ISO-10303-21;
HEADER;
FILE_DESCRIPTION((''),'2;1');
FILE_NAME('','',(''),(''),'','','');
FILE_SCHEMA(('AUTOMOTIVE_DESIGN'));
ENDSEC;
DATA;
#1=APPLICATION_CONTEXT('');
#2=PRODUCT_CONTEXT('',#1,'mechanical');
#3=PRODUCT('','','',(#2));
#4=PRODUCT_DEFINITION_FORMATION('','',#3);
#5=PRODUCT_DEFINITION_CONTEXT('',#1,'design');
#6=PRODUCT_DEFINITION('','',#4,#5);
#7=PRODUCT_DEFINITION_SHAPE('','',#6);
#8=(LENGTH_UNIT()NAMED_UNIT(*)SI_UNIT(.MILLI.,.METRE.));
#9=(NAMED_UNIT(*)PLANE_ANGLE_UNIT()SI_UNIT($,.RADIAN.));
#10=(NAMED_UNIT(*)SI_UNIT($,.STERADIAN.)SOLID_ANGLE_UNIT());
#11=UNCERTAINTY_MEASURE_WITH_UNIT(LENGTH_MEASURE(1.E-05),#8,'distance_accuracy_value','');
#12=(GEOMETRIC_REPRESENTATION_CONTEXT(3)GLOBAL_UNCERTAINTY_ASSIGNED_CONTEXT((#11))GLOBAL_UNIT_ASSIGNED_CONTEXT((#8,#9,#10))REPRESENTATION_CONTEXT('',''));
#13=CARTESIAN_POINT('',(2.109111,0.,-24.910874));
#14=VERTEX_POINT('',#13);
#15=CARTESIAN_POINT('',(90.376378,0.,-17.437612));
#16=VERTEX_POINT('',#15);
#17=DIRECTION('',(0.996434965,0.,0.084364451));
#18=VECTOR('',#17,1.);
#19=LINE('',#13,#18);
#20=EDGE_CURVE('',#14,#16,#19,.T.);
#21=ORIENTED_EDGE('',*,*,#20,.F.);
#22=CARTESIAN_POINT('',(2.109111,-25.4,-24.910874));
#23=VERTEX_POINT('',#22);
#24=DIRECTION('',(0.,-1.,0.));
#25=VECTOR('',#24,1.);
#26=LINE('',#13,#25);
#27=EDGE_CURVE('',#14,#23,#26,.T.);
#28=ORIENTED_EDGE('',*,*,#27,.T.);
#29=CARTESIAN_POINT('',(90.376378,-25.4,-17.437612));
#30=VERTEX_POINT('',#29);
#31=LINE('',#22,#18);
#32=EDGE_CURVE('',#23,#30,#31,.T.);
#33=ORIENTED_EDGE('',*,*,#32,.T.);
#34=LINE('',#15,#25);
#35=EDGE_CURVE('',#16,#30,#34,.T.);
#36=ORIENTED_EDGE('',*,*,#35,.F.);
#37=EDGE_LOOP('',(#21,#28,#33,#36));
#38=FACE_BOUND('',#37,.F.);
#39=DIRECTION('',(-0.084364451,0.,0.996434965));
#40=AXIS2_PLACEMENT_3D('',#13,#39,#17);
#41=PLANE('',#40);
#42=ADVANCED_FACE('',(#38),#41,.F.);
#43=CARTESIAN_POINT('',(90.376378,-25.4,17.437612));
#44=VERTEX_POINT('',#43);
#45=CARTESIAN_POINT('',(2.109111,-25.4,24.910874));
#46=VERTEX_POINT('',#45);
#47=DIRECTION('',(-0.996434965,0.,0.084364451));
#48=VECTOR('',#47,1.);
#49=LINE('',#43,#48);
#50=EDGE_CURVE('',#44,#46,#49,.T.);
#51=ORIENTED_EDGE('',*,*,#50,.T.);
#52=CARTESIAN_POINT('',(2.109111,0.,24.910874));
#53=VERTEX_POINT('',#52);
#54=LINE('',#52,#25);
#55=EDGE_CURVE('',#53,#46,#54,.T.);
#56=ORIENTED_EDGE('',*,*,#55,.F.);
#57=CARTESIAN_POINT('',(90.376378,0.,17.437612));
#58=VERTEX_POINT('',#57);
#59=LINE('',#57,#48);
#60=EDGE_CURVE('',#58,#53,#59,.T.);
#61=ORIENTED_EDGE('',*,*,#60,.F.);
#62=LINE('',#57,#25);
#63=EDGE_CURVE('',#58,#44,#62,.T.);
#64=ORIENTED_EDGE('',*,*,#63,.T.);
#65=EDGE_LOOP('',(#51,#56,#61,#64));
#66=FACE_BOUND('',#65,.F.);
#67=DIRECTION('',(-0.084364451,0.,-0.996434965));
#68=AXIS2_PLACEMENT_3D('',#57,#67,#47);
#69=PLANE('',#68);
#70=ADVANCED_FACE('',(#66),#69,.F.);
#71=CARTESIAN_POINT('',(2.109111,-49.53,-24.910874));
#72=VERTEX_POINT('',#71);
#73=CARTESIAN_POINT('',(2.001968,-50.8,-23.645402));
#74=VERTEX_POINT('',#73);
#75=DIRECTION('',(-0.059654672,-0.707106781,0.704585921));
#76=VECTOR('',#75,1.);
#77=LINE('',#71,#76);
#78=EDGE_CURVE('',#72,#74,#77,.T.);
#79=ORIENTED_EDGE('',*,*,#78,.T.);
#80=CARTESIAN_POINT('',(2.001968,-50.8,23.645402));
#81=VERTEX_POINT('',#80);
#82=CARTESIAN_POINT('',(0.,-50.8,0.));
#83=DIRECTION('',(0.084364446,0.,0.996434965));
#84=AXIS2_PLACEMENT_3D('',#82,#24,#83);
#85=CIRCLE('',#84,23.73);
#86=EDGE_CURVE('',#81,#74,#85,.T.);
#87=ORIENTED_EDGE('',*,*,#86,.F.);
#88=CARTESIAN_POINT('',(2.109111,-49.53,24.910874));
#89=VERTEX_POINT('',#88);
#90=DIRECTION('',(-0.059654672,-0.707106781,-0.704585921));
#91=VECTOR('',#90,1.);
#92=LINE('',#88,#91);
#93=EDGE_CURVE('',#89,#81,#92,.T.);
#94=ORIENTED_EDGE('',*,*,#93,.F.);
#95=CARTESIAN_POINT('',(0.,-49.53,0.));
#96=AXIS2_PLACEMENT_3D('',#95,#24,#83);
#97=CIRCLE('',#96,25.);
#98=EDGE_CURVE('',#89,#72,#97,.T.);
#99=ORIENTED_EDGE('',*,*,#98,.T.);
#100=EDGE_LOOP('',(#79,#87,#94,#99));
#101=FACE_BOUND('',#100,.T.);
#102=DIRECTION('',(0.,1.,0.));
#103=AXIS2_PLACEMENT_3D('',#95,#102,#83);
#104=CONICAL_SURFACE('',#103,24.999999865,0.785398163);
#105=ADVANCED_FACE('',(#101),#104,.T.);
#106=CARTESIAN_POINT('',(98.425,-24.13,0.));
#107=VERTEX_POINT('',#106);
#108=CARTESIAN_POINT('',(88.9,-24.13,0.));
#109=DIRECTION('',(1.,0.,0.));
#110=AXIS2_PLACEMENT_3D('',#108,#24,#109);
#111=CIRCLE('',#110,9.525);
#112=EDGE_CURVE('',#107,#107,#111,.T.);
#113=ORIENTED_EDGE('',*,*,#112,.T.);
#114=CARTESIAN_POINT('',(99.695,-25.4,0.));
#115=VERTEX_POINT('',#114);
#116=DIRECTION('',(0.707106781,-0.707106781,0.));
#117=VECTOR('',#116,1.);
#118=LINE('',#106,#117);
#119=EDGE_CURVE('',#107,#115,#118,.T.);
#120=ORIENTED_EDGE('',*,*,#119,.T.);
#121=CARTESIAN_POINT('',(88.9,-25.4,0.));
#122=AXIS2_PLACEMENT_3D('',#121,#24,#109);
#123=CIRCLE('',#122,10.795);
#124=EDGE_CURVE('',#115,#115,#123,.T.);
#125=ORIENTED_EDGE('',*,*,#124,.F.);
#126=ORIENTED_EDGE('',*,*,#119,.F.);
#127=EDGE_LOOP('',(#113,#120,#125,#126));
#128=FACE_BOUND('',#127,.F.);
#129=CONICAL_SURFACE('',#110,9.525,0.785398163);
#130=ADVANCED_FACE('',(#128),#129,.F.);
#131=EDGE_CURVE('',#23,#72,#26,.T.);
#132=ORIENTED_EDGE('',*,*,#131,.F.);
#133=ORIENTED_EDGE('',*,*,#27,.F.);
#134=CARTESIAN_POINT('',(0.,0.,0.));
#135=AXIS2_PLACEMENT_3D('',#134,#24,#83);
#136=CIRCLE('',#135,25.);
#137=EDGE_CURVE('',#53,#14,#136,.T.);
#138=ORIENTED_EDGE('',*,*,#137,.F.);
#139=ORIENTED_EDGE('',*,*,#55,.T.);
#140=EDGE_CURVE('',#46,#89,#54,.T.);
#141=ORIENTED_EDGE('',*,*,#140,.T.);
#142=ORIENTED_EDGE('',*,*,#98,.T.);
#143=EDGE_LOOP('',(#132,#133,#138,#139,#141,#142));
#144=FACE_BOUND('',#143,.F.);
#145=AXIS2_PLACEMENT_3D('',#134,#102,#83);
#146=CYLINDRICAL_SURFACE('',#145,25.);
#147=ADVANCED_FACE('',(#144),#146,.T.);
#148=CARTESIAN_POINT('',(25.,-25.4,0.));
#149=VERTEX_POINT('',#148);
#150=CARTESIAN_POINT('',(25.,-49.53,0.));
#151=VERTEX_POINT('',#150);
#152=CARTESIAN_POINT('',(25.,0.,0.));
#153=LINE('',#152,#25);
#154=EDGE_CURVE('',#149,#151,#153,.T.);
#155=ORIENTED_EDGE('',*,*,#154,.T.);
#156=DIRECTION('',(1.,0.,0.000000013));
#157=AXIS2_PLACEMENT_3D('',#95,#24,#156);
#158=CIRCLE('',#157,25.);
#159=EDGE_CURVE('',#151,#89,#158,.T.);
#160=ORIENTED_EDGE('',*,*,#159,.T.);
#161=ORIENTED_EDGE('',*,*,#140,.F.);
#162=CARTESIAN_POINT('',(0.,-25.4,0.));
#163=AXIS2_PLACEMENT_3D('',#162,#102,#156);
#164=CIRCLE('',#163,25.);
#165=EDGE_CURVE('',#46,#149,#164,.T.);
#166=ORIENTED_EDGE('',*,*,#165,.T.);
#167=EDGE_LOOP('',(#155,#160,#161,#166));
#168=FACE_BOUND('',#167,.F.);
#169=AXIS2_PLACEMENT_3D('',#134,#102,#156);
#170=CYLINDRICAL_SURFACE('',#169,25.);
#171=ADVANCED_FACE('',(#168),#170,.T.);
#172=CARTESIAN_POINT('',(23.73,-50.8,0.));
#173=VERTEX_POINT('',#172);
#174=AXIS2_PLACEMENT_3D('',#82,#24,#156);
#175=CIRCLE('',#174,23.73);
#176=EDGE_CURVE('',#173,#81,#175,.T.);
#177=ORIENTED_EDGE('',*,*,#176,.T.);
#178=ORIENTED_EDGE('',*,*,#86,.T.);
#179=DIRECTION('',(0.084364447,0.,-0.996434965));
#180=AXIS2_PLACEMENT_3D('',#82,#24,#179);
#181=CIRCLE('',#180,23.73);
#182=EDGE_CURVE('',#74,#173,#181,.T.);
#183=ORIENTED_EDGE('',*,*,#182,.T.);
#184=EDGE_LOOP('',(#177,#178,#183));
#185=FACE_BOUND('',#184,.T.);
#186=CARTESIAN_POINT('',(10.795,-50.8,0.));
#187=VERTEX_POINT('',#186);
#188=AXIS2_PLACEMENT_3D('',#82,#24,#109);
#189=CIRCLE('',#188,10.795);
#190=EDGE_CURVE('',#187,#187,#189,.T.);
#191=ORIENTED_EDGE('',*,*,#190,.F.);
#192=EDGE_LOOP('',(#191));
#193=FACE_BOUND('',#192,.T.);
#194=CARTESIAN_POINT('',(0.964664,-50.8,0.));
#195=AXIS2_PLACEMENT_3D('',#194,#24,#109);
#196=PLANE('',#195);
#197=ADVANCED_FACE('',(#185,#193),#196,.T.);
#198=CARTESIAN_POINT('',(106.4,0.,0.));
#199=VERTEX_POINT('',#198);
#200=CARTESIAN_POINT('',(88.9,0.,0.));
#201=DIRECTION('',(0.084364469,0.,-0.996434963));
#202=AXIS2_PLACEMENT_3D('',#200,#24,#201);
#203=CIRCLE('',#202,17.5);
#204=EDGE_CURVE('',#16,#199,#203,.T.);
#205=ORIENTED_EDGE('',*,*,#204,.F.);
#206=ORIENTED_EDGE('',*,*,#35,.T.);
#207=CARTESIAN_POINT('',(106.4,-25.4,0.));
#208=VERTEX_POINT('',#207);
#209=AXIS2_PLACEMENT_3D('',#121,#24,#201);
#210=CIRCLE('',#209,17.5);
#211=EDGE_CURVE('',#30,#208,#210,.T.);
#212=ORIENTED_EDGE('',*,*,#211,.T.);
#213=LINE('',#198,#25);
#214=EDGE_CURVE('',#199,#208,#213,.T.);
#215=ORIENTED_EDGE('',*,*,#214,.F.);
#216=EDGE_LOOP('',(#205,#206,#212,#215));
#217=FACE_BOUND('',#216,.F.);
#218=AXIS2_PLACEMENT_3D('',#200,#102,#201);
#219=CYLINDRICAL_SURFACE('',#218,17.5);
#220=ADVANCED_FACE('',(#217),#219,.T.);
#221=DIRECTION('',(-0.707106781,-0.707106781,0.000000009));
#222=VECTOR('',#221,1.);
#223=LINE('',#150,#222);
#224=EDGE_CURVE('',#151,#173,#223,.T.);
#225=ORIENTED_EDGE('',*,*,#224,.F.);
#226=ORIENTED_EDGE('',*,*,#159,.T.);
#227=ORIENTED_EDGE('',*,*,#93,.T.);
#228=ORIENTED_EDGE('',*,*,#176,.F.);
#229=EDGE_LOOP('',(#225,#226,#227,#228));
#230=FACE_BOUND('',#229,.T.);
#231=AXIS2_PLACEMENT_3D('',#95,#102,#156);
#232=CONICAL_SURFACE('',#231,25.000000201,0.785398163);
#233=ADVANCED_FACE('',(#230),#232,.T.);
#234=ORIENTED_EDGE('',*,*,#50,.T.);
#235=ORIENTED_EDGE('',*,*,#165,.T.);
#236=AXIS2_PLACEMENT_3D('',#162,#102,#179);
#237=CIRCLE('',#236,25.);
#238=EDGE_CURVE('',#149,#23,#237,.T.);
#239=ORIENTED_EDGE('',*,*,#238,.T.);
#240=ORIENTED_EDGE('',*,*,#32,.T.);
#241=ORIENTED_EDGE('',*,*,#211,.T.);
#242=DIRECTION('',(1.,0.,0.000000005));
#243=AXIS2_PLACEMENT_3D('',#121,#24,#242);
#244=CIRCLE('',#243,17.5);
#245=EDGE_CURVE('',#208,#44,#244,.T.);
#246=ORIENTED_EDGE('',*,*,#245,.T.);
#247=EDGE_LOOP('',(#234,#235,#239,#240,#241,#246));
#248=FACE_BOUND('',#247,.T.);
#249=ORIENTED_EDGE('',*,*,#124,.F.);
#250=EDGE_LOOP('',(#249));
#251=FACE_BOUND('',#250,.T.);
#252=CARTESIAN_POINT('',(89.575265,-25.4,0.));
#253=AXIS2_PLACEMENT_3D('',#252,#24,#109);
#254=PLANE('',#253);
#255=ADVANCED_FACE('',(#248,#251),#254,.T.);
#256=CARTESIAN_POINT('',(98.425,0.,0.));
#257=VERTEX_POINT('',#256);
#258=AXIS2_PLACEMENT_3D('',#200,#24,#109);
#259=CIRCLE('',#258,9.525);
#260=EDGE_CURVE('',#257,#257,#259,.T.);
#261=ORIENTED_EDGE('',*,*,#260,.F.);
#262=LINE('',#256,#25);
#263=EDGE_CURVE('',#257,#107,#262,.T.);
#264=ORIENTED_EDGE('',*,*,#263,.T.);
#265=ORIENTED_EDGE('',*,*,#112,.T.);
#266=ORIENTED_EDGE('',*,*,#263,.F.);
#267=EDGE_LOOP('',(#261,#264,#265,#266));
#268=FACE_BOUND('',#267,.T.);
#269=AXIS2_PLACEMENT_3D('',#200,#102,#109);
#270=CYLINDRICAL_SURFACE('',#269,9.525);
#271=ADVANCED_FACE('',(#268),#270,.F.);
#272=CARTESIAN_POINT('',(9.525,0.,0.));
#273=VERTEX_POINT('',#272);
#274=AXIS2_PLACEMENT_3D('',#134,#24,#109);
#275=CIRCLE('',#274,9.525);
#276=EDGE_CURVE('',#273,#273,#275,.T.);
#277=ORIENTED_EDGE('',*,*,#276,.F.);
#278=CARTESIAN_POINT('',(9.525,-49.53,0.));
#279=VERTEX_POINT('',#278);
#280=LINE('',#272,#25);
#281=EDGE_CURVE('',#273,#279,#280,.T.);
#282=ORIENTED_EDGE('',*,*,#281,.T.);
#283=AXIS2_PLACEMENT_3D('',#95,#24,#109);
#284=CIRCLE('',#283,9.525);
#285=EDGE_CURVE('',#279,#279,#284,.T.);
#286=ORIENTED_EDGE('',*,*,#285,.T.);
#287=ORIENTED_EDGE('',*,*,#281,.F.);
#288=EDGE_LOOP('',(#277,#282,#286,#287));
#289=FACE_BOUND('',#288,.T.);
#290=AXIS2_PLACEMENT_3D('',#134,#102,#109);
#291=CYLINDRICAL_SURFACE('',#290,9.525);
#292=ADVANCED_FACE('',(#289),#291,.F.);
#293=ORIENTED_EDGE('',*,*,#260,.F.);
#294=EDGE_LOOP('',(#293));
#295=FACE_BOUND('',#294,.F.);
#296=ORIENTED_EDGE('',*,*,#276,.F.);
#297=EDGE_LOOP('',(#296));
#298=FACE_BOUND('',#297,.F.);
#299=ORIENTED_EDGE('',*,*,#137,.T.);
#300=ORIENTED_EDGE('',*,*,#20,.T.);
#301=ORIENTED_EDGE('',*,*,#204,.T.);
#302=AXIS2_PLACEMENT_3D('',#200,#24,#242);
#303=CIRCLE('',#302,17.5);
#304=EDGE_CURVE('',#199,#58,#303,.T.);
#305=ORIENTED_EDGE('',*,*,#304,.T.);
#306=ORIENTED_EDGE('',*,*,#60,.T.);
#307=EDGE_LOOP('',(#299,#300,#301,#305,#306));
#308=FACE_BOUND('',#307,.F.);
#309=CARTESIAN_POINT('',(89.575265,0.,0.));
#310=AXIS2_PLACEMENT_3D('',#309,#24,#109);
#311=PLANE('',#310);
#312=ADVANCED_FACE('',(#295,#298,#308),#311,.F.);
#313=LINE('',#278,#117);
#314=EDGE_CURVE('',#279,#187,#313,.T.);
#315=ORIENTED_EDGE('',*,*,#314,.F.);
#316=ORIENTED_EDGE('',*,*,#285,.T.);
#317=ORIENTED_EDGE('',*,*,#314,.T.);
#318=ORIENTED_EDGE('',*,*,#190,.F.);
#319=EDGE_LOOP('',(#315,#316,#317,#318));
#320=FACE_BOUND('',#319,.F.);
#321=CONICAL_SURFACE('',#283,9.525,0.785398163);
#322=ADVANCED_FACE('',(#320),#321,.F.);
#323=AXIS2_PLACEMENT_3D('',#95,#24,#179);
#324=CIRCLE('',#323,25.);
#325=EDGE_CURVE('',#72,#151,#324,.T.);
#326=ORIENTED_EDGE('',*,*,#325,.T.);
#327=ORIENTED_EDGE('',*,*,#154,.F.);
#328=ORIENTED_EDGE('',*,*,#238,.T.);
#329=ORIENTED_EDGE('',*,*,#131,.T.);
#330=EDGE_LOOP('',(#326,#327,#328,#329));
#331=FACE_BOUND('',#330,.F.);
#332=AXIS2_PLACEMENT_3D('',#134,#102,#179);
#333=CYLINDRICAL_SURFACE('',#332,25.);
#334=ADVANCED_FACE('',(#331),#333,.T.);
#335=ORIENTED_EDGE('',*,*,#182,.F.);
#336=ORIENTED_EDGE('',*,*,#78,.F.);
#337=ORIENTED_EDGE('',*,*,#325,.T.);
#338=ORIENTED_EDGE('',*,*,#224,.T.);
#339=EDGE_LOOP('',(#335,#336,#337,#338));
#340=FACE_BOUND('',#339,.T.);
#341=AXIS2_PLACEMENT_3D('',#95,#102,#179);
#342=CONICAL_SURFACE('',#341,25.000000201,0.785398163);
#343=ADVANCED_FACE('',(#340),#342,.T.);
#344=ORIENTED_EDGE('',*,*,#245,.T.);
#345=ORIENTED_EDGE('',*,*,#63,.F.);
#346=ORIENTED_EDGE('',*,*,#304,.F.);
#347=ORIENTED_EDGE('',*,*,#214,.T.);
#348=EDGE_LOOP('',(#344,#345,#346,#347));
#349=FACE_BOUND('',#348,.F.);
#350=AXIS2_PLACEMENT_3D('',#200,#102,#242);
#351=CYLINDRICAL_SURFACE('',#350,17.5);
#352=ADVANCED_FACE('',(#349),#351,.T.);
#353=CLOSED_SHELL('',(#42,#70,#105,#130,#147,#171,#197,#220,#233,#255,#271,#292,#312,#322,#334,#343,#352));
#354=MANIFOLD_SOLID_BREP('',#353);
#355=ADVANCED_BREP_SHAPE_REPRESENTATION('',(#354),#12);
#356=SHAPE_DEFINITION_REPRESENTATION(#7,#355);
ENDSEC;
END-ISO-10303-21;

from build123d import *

# Parameters (mm, degrees)
F0_R     = 9.525
F1_DEPTH = 25.4
F2_DEPTH = 50.8
F3_SIZE  = 1.27


with BuildPart() as f1:
    # F0 (on Front) → F1 (new body)
    with BuildSketch(Plane.XZ):
        with BuildLine():
            ThreePointArc((90.376378, -17.437612), (101.785779, -11.840891), (106.4, 0))
            ThreePointArc((106.4, 0), (101.785779, 11.840891), (90.376378, 17.437612))
            ThreePointArc((90.376378, 17.437612), (71.4, 0), (90.376378, -17.437612))
        make_face()
        with Locations((88.9, 0)):
            Circle(F0_R, mode=Mode.SUBTRACT)
        with BuildLine():
            ThreePointArc((90.376378, -17.437612), (71.4, 0), (90.376378, 17.437612))
            Line((90.376378, 17.437612), (2.109111, 24.910874))
            ThreePointArc((2.109111, 24.910874), (18.408256, 16.915558), (25, 0))
            ThreePointArc((25, 0), (18.408256, -16.915558), (2.109111, -24.910874))
            Line((2.109111, -24.910874), (90.376378, -17.437612))
        make_face()
        with BuildLine():
            ThreePointArc((25, 0), (18.408256, 16.915558), (2.109111, 24.910874))
            ThreePointArc((2.109111, 24.910874), (-25, 0), (2.109111, -24.910874))
            ThreePointArc((2.109111, -24.910874), (18.408256, -16.915558), (25, 0))
        make_face()
        Circle(F0_R, mode=Mode.SUBTRACT)
    extrude(amount=F1_DEPTH)

    # F0 (on Front) → F2 (join)
    with BuildSketch(Plane.XZ):
        with BuildLine():
            ThreePointArc((25, 0), (18.408256, 16.915558), (2.109111, 24.910874))
            ThreePointArc((2.109111, 24.910874), (-25, 0), (2.109111, -24.910874))
            ThreePointArc((2.109111, -24.910874), (18.408256, -16.915558), (25, 0))
        make_face()
        Circle(F0_R, mode=Mode.SUBTRACT)
    extrude(amount=F2_DEPTH)

    # F3
    f3_edges = [f1.edges().sort_by_distance(p)[0] for p in [
        (-9.525, -50.8, 0),
        (-2.109111, -50.8, 24.910874),
        (79.375, -25.4, 0),
    ]]
    chamfer(f3_edges, length=F3_SIZE)


solid = f1.part
